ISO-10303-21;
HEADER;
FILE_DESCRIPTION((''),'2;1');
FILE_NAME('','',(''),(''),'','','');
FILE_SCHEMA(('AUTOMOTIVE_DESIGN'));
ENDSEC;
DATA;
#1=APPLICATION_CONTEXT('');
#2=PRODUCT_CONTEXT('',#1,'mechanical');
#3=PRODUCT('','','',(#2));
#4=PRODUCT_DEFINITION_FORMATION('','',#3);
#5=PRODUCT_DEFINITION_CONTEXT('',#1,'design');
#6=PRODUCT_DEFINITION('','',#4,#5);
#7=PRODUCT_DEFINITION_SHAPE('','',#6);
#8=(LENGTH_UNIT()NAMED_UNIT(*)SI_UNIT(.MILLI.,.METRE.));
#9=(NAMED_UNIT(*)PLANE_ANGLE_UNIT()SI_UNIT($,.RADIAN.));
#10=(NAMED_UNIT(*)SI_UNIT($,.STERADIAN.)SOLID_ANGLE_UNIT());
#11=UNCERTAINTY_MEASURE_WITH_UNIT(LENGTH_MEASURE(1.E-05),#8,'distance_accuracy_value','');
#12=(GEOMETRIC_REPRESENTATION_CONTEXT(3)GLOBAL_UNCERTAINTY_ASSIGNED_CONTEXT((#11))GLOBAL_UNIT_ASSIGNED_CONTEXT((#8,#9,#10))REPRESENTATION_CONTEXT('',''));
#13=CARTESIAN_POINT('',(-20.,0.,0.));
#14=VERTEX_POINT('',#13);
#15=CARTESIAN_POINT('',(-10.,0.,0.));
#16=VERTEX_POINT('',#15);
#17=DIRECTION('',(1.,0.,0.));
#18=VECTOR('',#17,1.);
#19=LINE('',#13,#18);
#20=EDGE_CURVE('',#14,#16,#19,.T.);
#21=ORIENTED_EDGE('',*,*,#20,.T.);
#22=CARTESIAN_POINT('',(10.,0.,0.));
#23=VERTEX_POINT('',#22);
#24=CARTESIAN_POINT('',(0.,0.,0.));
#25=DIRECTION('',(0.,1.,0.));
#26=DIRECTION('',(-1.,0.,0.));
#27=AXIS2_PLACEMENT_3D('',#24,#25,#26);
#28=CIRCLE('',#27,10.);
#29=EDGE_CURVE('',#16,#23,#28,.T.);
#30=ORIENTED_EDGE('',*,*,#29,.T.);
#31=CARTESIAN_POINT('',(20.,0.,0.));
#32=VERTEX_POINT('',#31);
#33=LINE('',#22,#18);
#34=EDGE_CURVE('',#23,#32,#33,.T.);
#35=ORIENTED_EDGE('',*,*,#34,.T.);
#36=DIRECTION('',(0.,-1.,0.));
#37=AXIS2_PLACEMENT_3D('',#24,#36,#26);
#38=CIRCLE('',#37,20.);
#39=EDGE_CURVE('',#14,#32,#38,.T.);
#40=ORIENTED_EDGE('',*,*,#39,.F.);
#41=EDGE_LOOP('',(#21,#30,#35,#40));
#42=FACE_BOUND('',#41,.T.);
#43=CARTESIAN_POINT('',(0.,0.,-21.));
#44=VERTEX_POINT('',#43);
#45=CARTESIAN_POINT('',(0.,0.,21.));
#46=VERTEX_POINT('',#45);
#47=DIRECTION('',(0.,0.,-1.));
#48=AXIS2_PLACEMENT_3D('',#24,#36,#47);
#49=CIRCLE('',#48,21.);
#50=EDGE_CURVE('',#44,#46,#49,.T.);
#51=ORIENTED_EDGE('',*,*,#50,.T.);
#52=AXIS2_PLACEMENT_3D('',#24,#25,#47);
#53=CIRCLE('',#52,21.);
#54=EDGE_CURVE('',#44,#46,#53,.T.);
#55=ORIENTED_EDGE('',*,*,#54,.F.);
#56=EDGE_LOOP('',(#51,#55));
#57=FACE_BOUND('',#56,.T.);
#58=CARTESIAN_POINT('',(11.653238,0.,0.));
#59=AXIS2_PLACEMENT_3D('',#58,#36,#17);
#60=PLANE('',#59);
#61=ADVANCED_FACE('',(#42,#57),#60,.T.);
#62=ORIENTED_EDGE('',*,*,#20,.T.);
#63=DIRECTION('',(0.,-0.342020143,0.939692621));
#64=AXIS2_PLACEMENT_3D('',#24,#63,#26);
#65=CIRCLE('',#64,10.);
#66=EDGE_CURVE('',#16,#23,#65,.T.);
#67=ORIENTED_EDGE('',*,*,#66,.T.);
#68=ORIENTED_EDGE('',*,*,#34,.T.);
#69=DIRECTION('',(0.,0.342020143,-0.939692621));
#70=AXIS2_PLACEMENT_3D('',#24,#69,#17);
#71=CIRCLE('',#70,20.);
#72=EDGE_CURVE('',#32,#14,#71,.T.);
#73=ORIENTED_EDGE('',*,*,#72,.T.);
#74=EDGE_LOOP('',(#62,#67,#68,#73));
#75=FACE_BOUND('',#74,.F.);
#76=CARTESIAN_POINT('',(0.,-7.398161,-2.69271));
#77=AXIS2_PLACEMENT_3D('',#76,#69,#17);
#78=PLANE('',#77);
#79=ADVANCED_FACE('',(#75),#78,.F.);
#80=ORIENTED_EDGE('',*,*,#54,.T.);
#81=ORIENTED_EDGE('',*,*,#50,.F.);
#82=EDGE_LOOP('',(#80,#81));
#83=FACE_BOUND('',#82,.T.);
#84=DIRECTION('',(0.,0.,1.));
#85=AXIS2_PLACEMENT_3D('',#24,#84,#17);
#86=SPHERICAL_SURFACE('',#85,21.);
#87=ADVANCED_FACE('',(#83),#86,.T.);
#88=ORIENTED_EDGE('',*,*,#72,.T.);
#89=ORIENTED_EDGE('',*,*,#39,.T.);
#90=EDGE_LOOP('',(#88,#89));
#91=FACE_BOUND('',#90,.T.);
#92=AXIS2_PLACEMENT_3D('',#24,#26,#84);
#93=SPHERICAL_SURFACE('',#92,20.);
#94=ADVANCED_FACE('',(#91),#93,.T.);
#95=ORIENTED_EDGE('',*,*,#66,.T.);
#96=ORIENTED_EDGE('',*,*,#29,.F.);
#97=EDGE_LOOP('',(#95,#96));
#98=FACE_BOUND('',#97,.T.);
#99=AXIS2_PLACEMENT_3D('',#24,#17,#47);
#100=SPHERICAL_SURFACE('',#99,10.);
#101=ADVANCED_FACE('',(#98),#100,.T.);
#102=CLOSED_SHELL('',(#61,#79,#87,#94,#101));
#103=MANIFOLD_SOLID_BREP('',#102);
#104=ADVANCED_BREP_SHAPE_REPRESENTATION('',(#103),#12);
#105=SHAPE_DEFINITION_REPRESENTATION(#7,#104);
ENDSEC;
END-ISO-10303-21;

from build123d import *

# Parameters (mm, degrees)
F1_ANGLE = -180
F3_ANGLE = 250


with BuildPart() as f1:
    # F0 (on Front) → F1 (revolve)
    with BuildSketch(Plane.XZ):
        with BuildLine():
            Line((0, -20), (0, -21))
            ThreePointArc((0, -21), (21, 0), (0, 21))
            Line((0, 21), (0, 20))
            ThreePointArc((0, 20), (20, 0), (0, -20))
        make_face()
    revolve(axis=Axis((0, 0, 0), (0, 0, -1)), revolution_arc=F1_ANGLE)

    # F2 (on Front) → F3 (revolve)
    with BuildSketch(Plane.XZ):
        with BuildLine():
            Line((10, 0), (20, 0))
            ThreePointArc((20, 0), (0, 20), (-20, 0))
            Line((-20, 0), (-10, 0))
            ThreePointArc((-10, 0), (0, 10), (10, 0))
        make_face()
    revolve(axis=Axis((0, 0, 0), (-1, 0, 0)), revolution_arc=F3_ANGLE)

    # F4 (on Front) → F5 (revolve)
    with BuildSketch(Plane.XZ):
        with BuildLine():
            Line((10, 0), (-10, 0))
            ThreePointArc((-10, 0), (0, -10), (10, 0))
        make_face()
    revolve(axis=Axis((0, 0, 0), (1, 0, 0)))


solid = f1.part
